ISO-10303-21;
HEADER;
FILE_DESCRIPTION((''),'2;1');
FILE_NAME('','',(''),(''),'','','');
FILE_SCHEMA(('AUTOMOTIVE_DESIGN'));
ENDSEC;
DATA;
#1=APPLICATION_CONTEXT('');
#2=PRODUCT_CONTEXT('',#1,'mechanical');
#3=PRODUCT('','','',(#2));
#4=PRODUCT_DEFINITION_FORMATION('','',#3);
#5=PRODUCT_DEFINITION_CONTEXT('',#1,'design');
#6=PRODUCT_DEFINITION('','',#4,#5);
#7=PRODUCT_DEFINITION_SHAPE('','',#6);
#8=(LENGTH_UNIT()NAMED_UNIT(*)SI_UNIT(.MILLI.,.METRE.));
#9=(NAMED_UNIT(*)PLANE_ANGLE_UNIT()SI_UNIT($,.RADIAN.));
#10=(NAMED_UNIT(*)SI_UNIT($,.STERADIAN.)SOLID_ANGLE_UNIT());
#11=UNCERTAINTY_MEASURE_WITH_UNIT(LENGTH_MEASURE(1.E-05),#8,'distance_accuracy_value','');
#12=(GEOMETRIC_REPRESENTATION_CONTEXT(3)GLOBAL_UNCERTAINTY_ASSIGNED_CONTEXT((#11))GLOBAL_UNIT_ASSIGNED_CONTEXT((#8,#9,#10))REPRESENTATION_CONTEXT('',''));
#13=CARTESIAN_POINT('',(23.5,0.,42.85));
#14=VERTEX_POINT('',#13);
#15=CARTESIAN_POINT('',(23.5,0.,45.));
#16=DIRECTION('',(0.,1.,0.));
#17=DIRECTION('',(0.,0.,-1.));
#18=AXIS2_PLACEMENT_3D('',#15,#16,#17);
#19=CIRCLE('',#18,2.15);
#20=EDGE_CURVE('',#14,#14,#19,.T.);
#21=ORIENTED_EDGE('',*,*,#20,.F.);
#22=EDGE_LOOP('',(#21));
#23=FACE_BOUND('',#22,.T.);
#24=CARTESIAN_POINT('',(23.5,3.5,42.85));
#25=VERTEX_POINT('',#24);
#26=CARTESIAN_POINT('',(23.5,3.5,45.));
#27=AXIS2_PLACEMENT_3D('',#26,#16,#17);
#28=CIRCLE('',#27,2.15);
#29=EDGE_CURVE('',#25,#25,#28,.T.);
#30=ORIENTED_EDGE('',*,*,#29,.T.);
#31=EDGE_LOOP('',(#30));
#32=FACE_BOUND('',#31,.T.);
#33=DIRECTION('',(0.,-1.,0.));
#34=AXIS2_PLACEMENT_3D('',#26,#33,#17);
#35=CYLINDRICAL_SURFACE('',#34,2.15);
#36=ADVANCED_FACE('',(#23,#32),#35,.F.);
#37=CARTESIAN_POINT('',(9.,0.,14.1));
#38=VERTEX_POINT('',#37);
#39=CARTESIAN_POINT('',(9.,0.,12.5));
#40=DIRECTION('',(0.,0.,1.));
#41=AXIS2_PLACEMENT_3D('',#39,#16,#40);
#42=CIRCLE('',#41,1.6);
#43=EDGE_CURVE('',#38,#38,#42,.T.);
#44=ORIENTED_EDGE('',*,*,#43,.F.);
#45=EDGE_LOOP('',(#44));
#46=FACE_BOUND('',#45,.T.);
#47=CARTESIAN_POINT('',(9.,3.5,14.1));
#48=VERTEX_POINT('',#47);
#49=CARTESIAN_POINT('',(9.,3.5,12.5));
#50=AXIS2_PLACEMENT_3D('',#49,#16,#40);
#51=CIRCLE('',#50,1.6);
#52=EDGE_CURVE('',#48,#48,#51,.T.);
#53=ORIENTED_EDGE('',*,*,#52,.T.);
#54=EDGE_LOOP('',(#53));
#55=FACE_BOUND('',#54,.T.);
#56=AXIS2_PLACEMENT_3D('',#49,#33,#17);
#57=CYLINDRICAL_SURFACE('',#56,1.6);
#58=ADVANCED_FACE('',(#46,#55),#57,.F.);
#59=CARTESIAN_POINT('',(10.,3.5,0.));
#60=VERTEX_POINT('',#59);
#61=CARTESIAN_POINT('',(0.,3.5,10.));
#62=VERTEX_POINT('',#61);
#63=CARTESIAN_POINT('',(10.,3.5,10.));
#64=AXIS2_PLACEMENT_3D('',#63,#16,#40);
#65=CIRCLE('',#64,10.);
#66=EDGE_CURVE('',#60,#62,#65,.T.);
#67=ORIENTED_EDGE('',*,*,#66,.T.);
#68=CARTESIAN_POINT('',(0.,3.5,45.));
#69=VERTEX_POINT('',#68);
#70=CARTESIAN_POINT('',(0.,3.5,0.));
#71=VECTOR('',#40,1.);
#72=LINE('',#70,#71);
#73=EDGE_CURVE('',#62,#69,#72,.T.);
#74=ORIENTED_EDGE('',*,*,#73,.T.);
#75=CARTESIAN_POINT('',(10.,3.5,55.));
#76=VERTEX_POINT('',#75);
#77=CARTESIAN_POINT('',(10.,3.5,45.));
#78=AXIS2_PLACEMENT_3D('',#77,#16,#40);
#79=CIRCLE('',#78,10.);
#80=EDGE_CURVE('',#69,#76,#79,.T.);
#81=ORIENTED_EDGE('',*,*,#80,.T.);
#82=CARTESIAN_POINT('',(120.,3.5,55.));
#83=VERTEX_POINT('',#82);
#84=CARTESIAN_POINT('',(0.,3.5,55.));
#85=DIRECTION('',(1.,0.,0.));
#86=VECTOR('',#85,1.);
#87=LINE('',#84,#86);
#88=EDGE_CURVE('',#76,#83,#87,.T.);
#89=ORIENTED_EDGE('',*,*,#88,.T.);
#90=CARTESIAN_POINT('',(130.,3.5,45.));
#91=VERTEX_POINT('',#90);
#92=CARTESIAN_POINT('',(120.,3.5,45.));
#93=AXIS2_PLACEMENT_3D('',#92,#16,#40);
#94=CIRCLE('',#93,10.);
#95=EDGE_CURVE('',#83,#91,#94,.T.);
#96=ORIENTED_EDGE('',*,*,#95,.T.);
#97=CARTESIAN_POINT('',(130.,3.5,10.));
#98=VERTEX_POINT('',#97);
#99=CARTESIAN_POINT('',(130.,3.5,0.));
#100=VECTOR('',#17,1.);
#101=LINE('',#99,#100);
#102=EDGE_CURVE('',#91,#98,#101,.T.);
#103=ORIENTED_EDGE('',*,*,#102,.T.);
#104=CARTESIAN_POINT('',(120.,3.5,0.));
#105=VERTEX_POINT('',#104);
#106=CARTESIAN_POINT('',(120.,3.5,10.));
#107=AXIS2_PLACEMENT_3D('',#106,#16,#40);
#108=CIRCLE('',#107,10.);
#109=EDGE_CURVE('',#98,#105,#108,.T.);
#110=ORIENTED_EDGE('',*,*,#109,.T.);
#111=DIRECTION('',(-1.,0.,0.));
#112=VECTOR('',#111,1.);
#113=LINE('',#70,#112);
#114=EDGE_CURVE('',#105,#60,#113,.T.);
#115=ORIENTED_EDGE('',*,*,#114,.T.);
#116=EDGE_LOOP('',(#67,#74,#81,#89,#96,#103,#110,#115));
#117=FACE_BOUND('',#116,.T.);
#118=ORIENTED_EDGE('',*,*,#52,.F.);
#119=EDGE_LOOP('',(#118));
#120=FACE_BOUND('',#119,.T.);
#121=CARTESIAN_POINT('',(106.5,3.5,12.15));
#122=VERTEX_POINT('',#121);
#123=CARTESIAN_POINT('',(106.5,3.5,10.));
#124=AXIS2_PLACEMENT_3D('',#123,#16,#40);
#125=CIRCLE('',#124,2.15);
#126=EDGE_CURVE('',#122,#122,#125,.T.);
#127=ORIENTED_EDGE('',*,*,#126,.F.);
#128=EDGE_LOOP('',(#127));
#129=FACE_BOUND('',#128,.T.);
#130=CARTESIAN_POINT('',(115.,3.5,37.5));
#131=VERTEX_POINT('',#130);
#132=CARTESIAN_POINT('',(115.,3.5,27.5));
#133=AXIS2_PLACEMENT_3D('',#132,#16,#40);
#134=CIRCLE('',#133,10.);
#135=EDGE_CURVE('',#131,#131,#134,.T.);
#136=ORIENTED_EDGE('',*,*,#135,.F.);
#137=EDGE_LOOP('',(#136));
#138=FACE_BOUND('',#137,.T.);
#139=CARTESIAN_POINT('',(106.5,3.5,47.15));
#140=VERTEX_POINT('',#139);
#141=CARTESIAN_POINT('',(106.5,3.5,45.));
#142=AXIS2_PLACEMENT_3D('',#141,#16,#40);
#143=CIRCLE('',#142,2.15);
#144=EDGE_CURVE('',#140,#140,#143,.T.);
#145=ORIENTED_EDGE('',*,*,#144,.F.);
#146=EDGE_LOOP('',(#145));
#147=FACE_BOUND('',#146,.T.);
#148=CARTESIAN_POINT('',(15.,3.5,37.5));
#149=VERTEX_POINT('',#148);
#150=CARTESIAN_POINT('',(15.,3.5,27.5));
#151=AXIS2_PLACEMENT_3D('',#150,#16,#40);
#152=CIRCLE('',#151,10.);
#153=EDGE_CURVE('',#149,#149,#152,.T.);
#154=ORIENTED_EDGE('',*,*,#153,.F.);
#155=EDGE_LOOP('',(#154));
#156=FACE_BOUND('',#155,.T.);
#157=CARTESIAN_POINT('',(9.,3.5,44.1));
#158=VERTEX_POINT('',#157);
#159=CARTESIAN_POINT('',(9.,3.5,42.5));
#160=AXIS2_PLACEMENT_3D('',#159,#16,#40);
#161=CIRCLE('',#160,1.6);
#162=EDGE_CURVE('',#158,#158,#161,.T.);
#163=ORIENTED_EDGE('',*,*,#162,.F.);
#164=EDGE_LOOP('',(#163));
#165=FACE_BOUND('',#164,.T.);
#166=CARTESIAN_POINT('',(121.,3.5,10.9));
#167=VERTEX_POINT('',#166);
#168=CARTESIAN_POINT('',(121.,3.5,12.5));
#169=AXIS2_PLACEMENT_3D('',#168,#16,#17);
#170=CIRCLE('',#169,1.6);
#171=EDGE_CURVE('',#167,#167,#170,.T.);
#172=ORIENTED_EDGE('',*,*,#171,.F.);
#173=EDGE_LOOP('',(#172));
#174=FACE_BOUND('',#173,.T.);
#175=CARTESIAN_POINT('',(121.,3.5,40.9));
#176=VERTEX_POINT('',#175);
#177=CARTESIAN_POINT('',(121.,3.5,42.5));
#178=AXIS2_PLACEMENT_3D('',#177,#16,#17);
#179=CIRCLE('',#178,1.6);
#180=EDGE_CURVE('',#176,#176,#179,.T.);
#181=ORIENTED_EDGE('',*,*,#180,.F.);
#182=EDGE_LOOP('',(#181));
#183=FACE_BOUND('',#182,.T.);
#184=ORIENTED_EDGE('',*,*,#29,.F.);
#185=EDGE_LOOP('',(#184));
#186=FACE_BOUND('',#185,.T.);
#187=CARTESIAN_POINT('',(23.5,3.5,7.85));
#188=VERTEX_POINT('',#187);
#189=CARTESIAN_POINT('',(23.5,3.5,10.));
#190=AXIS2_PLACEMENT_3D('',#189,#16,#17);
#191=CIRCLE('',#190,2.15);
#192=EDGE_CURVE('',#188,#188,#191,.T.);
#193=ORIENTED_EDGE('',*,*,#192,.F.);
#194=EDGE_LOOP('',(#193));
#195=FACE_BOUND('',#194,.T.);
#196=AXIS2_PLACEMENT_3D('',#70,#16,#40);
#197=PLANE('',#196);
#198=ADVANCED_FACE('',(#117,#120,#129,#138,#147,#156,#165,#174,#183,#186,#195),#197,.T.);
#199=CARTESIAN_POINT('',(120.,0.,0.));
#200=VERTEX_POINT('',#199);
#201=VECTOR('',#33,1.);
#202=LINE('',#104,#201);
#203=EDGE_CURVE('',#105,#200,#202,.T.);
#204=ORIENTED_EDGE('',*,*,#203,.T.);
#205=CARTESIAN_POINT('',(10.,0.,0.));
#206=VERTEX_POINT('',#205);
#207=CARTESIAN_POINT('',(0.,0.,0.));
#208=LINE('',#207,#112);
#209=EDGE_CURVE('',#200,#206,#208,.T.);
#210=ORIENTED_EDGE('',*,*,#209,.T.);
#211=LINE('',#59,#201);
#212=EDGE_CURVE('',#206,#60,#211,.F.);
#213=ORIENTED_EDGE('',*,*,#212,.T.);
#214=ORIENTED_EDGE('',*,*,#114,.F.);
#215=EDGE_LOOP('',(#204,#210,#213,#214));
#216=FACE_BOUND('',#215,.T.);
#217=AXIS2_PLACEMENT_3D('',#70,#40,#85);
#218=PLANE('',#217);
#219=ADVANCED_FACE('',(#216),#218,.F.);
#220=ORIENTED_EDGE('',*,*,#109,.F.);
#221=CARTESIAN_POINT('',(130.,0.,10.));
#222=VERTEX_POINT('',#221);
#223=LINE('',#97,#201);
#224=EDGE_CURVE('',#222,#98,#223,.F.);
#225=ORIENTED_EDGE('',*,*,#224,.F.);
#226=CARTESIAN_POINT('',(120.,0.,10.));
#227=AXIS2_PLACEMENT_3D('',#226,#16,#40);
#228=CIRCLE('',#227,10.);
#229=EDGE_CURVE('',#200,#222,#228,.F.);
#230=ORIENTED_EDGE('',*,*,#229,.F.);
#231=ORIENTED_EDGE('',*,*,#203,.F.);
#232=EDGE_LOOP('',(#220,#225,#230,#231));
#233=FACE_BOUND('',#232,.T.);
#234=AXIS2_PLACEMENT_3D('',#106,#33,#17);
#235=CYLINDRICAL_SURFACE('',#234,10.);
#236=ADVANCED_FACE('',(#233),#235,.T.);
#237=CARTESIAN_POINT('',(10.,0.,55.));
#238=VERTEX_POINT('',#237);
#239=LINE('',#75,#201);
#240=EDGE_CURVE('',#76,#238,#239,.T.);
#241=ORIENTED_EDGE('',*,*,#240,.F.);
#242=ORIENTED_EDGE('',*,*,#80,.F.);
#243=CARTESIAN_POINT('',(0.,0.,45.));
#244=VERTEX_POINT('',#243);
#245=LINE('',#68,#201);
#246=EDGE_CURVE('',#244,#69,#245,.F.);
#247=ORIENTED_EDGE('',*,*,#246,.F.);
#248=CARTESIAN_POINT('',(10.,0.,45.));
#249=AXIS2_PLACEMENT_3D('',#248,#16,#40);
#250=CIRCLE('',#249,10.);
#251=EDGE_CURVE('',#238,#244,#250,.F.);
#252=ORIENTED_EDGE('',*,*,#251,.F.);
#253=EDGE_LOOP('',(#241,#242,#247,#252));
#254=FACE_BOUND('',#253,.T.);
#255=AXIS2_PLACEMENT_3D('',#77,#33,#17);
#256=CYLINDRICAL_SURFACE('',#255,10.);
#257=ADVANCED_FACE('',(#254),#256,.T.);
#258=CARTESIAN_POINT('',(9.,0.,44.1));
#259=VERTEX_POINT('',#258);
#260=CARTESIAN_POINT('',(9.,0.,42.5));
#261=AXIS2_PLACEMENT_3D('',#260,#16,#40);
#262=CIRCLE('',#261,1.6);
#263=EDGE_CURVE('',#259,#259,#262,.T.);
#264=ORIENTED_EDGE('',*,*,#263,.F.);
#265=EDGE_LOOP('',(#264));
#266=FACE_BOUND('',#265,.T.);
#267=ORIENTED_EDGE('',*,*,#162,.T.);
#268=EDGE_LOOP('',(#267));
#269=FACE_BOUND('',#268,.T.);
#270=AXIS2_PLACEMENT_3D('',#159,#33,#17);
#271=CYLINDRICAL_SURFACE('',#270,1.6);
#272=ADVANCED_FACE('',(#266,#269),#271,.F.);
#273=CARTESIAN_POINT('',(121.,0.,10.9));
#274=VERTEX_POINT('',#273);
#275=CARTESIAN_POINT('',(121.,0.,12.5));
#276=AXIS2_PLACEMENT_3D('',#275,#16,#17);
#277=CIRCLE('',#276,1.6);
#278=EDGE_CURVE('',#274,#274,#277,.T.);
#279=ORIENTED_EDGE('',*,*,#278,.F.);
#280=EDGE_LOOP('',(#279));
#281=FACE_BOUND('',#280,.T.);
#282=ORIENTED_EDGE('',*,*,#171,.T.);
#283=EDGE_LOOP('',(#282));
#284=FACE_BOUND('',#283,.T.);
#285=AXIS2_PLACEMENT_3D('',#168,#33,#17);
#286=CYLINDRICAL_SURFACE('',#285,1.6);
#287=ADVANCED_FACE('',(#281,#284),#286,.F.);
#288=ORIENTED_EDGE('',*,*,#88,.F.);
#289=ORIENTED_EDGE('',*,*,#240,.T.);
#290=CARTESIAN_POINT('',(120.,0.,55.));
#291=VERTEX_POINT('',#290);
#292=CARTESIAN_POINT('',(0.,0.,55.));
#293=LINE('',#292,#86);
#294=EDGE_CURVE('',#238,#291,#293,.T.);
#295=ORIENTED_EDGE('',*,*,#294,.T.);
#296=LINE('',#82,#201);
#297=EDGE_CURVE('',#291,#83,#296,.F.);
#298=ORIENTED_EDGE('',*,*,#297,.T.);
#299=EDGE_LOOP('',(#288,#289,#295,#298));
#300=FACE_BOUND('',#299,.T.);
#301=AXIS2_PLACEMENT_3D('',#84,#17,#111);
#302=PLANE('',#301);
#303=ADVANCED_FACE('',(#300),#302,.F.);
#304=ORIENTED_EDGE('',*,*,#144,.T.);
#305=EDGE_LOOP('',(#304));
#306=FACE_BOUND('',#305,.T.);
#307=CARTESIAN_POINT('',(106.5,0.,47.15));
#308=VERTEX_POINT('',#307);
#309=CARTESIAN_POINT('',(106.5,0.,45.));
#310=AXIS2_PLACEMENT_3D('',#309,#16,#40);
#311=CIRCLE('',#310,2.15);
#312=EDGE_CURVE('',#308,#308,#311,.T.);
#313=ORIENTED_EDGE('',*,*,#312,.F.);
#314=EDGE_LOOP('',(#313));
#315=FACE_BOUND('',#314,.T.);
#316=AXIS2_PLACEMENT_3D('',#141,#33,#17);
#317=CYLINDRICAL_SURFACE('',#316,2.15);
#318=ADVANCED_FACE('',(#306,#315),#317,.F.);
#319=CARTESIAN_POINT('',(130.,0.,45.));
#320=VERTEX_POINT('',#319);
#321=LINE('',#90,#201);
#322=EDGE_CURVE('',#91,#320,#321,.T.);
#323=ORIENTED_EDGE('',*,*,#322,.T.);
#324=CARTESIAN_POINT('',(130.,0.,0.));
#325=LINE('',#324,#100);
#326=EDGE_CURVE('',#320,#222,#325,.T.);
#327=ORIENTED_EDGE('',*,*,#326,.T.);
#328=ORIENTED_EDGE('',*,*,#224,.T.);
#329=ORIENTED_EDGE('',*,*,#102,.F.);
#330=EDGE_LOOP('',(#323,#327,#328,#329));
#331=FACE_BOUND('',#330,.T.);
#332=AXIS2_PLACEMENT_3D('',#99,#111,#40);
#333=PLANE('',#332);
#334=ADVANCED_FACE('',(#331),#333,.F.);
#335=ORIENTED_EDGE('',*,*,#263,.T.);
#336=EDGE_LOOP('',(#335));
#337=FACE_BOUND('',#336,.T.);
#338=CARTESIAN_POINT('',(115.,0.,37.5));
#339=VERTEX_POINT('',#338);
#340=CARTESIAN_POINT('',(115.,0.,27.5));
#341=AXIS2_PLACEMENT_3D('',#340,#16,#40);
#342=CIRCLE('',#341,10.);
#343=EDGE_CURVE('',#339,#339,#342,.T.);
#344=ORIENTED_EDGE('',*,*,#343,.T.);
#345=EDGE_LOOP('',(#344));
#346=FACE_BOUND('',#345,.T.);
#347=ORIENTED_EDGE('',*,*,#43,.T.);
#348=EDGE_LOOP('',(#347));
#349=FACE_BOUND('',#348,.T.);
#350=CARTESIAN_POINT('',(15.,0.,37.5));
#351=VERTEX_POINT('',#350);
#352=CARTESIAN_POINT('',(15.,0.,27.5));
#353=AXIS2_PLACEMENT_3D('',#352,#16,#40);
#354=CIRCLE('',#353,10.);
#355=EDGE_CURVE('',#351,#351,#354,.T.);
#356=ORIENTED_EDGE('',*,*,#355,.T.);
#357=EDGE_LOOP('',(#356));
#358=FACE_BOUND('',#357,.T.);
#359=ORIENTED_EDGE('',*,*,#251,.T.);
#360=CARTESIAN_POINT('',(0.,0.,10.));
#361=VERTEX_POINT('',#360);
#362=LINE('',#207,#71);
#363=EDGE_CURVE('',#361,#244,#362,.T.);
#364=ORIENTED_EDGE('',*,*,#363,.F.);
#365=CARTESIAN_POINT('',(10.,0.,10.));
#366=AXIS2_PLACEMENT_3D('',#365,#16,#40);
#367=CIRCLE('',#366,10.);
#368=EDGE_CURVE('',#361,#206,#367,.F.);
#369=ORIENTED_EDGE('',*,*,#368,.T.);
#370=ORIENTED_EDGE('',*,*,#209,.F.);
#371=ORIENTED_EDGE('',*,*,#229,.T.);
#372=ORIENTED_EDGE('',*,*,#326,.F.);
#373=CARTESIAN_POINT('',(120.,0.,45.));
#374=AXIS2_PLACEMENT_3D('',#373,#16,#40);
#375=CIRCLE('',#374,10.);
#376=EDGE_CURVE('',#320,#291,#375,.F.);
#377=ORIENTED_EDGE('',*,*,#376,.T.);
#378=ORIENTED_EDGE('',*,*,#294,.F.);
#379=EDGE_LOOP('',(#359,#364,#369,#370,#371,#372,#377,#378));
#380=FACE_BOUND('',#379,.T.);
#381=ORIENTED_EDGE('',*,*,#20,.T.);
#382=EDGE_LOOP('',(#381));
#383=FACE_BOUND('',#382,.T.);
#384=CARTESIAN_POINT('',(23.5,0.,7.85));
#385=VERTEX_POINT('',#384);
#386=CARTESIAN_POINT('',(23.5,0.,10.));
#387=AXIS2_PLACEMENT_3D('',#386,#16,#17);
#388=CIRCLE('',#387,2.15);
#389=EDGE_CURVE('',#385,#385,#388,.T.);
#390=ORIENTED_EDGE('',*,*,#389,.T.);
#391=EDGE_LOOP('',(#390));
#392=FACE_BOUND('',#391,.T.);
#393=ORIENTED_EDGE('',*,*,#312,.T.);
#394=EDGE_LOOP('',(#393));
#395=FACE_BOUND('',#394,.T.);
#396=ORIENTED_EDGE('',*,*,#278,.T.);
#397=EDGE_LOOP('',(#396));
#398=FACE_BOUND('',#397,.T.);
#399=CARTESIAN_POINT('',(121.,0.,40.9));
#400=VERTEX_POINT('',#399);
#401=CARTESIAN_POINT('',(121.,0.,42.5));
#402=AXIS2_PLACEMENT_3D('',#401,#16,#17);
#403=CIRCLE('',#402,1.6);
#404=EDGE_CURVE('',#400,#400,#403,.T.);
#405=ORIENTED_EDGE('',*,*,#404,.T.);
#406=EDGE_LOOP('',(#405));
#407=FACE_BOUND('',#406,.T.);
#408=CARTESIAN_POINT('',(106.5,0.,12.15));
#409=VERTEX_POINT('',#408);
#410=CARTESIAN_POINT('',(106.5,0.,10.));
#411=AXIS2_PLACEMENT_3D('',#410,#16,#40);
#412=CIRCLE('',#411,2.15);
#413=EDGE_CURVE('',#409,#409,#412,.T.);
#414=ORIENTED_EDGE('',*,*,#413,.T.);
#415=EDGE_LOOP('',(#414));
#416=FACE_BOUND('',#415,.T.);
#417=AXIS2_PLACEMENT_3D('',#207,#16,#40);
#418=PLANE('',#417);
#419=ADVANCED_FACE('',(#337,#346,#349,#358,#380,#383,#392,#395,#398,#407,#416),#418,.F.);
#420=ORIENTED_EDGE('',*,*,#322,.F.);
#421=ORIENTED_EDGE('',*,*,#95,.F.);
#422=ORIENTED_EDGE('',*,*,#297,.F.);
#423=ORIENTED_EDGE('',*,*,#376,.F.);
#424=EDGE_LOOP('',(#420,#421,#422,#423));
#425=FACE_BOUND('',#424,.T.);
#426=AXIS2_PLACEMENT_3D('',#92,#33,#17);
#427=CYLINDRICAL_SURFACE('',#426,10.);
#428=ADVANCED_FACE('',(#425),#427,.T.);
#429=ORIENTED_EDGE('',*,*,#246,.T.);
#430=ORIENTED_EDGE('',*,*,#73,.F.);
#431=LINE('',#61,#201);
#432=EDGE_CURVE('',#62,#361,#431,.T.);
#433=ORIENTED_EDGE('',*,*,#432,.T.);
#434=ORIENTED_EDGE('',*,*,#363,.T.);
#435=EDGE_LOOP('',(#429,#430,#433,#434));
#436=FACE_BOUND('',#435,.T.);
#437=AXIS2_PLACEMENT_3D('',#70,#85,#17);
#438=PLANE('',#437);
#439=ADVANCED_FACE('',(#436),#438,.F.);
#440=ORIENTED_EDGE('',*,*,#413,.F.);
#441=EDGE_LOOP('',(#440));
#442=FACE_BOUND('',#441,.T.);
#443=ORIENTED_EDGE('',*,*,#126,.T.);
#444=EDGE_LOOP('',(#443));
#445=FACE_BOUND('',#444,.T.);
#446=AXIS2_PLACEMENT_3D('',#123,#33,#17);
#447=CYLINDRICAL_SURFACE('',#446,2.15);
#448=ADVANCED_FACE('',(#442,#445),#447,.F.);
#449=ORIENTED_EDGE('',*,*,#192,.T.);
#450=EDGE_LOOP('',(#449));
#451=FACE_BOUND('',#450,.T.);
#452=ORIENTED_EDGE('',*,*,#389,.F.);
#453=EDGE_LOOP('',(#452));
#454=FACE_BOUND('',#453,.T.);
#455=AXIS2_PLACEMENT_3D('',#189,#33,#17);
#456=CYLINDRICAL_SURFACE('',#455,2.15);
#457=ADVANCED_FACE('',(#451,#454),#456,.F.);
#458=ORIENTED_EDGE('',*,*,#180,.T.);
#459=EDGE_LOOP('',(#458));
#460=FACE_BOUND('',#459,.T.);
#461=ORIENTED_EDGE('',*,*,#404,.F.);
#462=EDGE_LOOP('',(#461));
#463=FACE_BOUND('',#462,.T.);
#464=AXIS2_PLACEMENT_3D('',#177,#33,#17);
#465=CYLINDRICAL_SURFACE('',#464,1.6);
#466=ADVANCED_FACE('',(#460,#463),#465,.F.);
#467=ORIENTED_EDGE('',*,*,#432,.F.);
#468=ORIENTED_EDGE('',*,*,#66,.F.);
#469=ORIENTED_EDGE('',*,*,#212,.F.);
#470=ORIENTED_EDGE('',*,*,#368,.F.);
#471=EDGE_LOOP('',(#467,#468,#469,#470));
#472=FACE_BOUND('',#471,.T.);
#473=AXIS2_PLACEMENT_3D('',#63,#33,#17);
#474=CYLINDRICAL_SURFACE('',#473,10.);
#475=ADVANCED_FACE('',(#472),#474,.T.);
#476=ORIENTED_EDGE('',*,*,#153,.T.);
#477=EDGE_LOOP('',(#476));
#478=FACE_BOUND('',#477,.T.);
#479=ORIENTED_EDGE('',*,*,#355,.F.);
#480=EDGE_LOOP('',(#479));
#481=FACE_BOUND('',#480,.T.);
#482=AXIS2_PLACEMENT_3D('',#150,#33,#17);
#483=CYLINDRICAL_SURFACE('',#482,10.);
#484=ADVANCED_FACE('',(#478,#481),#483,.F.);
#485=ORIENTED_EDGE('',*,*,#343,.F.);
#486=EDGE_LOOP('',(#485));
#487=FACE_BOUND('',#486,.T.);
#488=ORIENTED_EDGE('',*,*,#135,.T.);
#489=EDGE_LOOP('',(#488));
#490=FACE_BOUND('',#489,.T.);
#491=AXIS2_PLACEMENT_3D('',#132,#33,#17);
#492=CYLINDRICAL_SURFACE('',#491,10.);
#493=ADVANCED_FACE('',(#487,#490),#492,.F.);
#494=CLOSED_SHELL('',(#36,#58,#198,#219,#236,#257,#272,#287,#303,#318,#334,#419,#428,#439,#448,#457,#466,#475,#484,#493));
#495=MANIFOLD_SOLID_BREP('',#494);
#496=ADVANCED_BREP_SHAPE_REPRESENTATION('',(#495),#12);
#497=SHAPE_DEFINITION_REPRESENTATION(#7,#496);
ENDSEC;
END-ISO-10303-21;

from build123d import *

# Parameters (mm, degrees)
SKETCH1_W           = 130
SKETCH1_H           = 55
SKETCH1_R           = 1.6
SKETCH1_R_2         = 10
SKETCH1_R_3         = 2.15
BOSS_EXTRUDE2_DEPTH = 3.5
FILLET2_R           = 10


with BuildPart() as part:
    # Sketch1 → Boss-Extrude2 (new body)
    with BuildSketch(Plane(origin=(0, 0, 0), x_dir=(1, 0, 0), z_dir=(0, 1, 0))):
        with Locations((65, -27.5)):
            Rectangle(SKETCH1_W, SKETCH1_H)
        with Locations((9, -12.5)):
            Circle(SKETCH1_R, mode=Mode.SUBTRACT)
        with Locations((9, -42.5)):
            Circle(SKETCH1_R, mode=Mode.SUBTRACT)
        with Locations((121, -42.5)):
            Circle(SKETCH1_R, mode=Mode.SUBTRACT)
        with Locations((121, -12.5)):
            Circle(SKETCH1_R, mode=Mode.SUBTRACT)
        with Locations((15, -27.5)):
            Circle(SKETCH1_R_2, mode=Mode.SUBTRACT)
        with Locations((115, -27.5)):
            Circle(SKETCH1_R_2, mode=Mode.SUBTRACT)
        with Locations((106.5, -10)):
            Circle(SKETCH1_R_3, mode=Mode.SUBTRACT)
        with Locations((106.5, -45)):
            Circle(SKETCH1_R_3, mode=Mode.SUBTRACT)
        with Locations((23.5, -45)):
            Circle(SKETCH1_R_3, mode=Mode.SUBTRACT)
        with Locations((23.5, -10)):
            Circle(SKETCH1_R_3, mode=Mode.SUBTRACT)
    extrude(amount=BOSS_EXTRUDE2_DEPTH)

    # Fillet2
    fillet2_edges = [part.edges().sort_by_distance(p)[0] for p in [
        (0, 1.75, 0),
        (130, 1.75, 0),
        (130, 1.75, 55),
        (0, 1.75, 55),
    ]]
    fillet(fillet2_edges, radius=FILLET2_R)


solid = part.part
